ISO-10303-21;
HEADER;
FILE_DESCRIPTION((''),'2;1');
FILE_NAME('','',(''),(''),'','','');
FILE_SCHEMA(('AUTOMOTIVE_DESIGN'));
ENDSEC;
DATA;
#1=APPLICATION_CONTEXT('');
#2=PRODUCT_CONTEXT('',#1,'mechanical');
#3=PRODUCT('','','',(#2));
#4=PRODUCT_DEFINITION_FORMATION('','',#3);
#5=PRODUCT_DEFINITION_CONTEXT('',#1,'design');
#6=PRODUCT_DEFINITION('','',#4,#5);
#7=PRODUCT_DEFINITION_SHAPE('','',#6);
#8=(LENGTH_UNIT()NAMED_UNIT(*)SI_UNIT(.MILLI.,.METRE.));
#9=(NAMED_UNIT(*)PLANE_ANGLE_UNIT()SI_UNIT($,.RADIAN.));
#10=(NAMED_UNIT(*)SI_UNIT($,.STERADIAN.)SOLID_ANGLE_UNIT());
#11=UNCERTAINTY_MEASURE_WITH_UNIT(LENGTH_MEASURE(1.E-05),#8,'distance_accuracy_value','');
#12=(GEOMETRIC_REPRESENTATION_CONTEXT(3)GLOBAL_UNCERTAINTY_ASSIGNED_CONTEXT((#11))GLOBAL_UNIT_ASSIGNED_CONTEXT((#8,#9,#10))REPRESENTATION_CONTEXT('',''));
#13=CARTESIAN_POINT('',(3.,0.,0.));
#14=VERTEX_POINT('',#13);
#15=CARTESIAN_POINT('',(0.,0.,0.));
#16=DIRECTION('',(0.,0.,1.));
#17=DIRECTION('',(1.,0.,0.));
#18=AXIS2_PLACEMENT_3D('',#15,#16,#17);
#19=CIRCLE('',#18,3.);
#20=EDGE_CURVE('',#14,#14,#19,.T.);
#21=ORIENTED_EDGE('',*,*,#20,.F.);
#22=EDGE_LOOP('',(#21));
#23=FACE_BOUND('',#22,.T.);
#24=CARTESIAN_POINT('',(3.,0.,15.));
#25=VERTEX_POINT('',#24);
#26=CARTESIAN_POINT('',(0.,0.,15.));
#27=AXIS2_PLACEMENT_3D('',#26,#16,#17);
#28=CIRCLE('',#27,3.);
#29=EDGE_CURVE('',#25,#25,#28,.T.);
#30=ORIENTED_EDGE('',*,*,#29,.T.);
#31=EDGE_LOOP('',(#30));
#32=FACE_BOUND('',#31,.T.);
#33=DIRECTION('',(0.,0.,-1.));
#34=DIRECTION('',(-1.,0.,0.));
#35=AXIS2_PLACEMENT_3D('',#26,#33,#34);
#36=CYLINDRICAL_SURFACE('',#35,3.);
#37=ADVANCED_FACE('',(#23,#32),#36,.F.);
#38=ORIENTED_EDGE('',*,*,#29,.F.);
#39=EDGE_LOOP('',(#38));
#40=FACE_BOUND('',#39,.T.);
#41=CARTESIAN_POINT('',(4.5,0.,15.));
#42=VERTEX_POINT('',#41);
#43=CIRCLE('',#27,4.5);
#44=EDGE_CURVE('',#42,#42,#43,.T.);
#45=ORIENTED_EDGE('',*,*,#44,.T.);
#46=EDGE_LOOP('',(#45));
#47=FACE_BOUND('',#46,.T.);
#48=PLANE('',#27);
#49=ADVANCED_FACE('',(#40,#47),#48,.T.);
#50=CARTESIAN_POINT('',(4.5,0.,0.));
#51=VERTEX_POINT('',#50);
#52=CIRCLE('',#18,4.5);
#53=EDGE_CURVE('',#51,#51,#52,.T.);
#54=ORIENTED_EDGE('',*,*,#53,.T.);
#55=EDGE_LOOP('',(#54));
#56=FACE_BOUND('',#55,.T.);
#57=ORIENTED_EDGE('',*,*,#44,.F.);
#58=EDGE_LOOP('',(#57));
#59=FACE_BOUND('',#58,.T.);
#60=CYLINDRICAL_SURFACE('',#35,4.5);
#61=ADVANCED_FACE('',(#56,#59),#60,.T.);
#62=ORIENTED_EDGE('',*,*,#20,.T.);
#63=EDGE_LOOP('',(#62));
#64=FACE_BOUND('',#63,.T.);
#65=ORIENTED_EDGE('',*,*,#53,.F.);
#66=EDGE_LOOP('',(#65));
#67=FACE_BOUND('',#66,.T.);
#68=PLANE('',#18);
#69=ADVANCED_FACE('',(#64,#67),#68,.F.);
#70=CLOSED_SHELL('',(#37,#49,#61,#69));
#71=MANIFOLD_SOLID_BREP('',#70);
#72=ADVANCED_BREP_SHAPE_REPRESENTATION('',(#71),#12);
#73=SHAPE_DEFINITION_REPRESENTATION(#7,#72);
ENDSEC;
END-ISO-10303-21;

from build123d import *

# Parameters (mm, degrees)
SKETCH1_R           = 4.5
SKETCH1_R_2         = 3
BOSS_EXTRUDE1_DEPTH = 15


with BuildPart() as part:
    # Sketch1 → Boss-Extrude1 (new body)
    with BuildSketch(Plane.XY):
        Circle(SKETCH1_R)
        Circle(SKETCH1_R_2, mode=Mode.SUBTRACT)
    extrude(amount=BOSS_EXTRUDE1_DEPTH)


solid = part.part
